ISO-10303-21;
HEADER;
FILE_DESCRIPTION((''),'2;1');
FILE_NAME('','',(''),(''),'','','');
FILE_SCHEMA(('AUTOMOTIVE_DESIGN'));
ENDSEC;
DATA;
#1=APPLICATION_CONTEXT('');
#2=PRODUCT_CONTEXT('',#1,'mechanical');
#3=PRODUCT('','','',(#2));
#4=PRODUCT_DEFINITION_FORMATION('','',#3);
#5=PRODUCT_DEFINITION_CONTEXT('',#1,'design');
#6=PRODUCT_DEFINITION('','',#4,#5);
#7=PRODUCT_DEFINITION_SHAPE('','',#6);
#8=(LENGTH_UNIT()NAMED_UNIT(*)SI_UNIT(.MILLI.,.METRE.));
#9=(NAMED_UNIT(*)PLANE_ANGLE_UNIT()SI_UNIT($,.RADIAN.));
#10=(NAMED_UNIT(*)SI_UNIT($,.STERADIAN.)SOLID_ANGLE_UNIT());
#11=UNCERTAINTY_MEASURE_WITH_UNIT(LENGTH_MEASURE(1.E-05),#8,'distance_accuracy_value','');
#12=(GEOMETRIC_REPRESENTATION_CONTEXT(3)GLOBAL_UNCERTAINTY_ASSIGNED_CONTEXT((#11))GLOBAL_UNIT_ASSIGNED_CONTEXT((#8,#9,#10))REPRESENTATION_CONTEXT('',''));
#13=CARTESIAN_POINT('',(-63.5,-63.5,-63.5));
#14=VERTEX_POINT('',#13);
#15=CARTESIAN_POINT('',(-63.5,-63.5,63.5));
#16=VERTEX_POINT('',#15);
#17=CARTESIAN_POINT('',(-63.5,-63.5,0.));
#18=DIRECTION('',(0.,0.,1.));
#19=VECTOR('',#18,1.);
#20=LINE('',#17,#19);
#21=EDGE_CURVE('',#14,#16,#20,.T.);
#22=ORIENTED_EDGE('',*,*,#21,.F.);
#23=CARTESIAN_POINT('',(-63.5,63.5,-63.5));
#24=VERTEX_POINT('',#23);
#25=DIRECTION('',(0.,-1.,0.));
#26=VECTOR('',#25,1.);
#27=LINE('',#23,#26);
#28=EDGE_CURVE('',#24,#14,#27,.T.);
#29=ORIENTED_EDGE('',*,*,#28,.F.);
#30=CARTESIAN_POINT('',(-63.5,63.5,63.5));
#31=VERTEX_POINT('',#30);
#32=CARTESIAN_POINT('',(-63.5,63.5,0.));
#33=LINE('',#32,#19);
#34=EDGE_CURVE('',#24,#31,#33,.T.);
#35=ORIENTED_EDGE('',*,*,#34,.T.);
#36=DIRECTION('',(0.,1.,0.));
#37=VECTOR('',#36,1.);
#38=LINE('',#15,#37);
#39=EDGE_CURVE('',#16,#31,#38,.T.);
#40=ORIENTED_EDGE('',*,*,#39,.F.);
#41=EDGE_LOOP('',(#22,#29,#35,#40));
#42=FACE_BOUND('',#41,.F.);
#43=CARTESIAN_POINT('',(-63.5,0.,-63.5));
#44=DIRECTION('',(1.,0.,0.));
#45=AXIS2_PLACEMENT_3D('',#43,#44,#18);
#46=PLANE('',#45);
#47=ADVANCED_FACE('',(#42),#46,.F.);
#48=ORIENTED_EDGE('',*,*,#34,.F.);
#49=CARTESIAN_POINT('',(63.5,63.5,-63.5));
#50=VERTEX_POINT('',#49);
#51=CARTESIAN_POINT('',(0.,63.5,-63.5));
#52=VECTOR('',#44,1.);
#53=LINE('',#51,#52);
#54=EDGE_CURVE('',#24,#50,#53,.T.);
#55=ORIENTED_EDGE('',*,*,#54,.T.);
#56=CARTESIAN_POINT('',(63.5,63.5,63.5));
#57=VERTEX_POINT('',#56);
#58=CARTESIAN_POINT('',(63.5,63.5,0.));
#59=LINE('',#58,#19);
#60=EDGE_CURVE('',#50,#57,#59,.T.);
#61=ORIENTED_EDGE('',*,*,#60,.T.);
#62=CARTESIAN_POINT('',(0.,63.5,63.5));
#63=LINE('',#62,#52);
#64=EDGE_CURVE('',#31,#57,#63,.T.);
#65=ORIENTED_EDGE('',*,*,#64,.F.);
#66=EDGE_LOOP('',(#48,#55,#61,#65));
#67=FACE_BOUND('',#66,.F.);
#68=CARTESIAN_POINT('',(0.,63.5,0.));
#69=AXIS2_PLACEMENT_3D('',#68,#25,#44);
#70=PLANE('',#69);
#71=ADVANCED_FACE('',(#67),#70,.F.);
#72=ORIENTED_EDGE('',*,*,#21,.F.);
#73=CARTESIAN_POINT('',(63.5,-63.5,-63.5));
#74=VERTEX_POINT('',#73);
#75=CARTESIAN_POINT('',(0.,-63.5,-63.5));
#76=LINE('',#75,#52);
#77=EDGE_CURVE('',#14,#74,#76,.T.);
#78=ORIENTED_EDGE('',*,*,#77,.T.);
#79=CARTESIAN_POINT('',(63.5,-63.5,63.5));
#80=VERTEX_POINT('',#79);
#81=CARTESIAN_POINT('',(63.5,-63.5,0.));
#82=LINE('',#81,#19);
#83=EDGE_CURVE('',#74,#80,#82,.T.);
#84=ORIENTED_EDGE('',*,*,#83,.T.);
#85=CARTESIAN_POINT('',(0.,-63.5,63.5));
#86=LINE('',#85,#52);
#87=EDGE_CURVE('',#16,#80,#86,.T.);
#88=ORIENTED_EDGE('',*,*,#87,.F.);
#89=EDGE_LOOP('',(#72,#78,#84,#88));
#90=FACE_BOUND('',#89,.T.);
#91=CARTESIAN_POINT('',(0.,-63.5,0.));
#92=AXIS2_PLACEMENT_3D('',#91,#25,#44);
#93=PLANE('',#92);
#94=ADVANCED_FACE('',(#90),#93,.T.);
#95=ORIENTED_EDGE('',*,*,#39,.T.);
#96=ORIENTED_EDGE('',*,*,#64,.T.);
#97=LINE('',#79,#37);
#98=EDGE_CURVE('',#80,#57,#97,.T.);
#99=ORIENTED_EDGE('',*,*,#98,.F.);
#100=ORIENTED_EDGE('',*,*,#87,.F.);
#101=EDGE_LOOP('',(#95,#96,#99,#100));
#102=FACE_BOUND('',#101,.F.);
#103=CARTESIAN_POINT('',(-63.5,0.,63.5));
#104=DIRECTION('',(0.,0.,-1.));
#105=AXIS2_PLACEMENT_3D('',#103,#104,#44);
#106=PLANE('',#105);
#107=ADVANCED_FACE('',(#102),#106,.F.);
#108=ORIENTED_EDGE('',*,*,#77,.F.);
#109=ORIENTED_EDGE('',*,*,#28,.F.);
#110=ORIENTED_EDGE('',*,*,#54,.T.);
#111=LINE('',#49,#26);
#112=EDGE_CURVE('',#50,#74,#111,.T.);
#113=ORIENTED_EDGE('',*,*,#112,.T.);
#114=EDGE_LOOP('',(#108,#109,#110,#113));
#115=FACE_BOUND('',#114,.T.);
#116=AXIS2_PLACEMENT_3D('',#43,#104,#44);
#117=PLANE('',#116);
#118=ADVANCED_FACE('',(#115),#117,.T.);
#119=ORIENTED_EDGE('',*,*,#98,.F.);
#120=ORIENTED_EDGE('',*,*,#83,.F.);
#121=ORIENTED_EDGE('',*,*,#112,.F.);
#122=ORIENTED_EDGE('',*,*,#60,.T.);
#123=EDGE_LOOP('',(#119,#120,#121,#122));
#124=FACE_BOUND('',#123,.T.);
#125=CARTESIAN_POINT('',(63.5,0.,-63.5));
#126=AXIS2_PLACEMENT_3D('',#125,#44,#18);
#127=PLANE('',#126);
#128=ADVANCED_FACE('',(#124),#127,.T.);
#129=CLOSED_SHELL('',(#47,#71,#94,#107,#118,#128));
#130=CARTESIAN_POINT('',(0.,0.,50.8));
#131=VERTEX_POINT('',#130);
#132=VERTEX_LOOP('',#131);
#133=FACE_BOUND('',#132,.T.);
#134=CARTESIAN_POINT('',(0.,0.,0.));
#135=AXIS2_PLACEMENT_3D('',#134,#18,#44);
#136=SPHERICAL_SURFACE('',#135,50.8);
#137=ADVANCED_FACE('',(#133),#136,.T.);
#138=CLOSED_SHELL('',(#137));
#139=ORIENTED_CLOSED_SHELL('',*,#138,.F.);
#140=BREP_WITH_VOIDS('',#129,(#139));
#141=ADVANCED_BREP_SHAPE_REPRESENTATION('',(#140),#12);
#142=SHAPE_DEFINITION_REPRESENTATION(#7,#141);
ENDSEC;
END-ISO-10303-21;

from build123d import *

# Parameters (mm, degrees)
F0_W     = 127
F0_H     = 127
F2_DEPTH = 63.5


with BuildPart() as f2:
    # F0 (on Front) → F2 (new body, symmetric)
    with BuildSketch(Plane.XZ):
        Rectangle(F0_W, F0_H)
    extrude(amount=F2_DEPTH, both=True)

    # F1 (on Front) → F3 (revolve, cut)
    with BuildSketch(Plane.XZ):
        with BuildLine():
            Line((0, 50.8), (0, -50.8))
            ThreePointArc((0, -50.8), (50.8, 0), (0, 50.8))
        make_face()
    revolve(axis=Axis((0, 0, 0), (0, 0, 1)), mode=Mode.SUBTRACT)


solid = f2.part
